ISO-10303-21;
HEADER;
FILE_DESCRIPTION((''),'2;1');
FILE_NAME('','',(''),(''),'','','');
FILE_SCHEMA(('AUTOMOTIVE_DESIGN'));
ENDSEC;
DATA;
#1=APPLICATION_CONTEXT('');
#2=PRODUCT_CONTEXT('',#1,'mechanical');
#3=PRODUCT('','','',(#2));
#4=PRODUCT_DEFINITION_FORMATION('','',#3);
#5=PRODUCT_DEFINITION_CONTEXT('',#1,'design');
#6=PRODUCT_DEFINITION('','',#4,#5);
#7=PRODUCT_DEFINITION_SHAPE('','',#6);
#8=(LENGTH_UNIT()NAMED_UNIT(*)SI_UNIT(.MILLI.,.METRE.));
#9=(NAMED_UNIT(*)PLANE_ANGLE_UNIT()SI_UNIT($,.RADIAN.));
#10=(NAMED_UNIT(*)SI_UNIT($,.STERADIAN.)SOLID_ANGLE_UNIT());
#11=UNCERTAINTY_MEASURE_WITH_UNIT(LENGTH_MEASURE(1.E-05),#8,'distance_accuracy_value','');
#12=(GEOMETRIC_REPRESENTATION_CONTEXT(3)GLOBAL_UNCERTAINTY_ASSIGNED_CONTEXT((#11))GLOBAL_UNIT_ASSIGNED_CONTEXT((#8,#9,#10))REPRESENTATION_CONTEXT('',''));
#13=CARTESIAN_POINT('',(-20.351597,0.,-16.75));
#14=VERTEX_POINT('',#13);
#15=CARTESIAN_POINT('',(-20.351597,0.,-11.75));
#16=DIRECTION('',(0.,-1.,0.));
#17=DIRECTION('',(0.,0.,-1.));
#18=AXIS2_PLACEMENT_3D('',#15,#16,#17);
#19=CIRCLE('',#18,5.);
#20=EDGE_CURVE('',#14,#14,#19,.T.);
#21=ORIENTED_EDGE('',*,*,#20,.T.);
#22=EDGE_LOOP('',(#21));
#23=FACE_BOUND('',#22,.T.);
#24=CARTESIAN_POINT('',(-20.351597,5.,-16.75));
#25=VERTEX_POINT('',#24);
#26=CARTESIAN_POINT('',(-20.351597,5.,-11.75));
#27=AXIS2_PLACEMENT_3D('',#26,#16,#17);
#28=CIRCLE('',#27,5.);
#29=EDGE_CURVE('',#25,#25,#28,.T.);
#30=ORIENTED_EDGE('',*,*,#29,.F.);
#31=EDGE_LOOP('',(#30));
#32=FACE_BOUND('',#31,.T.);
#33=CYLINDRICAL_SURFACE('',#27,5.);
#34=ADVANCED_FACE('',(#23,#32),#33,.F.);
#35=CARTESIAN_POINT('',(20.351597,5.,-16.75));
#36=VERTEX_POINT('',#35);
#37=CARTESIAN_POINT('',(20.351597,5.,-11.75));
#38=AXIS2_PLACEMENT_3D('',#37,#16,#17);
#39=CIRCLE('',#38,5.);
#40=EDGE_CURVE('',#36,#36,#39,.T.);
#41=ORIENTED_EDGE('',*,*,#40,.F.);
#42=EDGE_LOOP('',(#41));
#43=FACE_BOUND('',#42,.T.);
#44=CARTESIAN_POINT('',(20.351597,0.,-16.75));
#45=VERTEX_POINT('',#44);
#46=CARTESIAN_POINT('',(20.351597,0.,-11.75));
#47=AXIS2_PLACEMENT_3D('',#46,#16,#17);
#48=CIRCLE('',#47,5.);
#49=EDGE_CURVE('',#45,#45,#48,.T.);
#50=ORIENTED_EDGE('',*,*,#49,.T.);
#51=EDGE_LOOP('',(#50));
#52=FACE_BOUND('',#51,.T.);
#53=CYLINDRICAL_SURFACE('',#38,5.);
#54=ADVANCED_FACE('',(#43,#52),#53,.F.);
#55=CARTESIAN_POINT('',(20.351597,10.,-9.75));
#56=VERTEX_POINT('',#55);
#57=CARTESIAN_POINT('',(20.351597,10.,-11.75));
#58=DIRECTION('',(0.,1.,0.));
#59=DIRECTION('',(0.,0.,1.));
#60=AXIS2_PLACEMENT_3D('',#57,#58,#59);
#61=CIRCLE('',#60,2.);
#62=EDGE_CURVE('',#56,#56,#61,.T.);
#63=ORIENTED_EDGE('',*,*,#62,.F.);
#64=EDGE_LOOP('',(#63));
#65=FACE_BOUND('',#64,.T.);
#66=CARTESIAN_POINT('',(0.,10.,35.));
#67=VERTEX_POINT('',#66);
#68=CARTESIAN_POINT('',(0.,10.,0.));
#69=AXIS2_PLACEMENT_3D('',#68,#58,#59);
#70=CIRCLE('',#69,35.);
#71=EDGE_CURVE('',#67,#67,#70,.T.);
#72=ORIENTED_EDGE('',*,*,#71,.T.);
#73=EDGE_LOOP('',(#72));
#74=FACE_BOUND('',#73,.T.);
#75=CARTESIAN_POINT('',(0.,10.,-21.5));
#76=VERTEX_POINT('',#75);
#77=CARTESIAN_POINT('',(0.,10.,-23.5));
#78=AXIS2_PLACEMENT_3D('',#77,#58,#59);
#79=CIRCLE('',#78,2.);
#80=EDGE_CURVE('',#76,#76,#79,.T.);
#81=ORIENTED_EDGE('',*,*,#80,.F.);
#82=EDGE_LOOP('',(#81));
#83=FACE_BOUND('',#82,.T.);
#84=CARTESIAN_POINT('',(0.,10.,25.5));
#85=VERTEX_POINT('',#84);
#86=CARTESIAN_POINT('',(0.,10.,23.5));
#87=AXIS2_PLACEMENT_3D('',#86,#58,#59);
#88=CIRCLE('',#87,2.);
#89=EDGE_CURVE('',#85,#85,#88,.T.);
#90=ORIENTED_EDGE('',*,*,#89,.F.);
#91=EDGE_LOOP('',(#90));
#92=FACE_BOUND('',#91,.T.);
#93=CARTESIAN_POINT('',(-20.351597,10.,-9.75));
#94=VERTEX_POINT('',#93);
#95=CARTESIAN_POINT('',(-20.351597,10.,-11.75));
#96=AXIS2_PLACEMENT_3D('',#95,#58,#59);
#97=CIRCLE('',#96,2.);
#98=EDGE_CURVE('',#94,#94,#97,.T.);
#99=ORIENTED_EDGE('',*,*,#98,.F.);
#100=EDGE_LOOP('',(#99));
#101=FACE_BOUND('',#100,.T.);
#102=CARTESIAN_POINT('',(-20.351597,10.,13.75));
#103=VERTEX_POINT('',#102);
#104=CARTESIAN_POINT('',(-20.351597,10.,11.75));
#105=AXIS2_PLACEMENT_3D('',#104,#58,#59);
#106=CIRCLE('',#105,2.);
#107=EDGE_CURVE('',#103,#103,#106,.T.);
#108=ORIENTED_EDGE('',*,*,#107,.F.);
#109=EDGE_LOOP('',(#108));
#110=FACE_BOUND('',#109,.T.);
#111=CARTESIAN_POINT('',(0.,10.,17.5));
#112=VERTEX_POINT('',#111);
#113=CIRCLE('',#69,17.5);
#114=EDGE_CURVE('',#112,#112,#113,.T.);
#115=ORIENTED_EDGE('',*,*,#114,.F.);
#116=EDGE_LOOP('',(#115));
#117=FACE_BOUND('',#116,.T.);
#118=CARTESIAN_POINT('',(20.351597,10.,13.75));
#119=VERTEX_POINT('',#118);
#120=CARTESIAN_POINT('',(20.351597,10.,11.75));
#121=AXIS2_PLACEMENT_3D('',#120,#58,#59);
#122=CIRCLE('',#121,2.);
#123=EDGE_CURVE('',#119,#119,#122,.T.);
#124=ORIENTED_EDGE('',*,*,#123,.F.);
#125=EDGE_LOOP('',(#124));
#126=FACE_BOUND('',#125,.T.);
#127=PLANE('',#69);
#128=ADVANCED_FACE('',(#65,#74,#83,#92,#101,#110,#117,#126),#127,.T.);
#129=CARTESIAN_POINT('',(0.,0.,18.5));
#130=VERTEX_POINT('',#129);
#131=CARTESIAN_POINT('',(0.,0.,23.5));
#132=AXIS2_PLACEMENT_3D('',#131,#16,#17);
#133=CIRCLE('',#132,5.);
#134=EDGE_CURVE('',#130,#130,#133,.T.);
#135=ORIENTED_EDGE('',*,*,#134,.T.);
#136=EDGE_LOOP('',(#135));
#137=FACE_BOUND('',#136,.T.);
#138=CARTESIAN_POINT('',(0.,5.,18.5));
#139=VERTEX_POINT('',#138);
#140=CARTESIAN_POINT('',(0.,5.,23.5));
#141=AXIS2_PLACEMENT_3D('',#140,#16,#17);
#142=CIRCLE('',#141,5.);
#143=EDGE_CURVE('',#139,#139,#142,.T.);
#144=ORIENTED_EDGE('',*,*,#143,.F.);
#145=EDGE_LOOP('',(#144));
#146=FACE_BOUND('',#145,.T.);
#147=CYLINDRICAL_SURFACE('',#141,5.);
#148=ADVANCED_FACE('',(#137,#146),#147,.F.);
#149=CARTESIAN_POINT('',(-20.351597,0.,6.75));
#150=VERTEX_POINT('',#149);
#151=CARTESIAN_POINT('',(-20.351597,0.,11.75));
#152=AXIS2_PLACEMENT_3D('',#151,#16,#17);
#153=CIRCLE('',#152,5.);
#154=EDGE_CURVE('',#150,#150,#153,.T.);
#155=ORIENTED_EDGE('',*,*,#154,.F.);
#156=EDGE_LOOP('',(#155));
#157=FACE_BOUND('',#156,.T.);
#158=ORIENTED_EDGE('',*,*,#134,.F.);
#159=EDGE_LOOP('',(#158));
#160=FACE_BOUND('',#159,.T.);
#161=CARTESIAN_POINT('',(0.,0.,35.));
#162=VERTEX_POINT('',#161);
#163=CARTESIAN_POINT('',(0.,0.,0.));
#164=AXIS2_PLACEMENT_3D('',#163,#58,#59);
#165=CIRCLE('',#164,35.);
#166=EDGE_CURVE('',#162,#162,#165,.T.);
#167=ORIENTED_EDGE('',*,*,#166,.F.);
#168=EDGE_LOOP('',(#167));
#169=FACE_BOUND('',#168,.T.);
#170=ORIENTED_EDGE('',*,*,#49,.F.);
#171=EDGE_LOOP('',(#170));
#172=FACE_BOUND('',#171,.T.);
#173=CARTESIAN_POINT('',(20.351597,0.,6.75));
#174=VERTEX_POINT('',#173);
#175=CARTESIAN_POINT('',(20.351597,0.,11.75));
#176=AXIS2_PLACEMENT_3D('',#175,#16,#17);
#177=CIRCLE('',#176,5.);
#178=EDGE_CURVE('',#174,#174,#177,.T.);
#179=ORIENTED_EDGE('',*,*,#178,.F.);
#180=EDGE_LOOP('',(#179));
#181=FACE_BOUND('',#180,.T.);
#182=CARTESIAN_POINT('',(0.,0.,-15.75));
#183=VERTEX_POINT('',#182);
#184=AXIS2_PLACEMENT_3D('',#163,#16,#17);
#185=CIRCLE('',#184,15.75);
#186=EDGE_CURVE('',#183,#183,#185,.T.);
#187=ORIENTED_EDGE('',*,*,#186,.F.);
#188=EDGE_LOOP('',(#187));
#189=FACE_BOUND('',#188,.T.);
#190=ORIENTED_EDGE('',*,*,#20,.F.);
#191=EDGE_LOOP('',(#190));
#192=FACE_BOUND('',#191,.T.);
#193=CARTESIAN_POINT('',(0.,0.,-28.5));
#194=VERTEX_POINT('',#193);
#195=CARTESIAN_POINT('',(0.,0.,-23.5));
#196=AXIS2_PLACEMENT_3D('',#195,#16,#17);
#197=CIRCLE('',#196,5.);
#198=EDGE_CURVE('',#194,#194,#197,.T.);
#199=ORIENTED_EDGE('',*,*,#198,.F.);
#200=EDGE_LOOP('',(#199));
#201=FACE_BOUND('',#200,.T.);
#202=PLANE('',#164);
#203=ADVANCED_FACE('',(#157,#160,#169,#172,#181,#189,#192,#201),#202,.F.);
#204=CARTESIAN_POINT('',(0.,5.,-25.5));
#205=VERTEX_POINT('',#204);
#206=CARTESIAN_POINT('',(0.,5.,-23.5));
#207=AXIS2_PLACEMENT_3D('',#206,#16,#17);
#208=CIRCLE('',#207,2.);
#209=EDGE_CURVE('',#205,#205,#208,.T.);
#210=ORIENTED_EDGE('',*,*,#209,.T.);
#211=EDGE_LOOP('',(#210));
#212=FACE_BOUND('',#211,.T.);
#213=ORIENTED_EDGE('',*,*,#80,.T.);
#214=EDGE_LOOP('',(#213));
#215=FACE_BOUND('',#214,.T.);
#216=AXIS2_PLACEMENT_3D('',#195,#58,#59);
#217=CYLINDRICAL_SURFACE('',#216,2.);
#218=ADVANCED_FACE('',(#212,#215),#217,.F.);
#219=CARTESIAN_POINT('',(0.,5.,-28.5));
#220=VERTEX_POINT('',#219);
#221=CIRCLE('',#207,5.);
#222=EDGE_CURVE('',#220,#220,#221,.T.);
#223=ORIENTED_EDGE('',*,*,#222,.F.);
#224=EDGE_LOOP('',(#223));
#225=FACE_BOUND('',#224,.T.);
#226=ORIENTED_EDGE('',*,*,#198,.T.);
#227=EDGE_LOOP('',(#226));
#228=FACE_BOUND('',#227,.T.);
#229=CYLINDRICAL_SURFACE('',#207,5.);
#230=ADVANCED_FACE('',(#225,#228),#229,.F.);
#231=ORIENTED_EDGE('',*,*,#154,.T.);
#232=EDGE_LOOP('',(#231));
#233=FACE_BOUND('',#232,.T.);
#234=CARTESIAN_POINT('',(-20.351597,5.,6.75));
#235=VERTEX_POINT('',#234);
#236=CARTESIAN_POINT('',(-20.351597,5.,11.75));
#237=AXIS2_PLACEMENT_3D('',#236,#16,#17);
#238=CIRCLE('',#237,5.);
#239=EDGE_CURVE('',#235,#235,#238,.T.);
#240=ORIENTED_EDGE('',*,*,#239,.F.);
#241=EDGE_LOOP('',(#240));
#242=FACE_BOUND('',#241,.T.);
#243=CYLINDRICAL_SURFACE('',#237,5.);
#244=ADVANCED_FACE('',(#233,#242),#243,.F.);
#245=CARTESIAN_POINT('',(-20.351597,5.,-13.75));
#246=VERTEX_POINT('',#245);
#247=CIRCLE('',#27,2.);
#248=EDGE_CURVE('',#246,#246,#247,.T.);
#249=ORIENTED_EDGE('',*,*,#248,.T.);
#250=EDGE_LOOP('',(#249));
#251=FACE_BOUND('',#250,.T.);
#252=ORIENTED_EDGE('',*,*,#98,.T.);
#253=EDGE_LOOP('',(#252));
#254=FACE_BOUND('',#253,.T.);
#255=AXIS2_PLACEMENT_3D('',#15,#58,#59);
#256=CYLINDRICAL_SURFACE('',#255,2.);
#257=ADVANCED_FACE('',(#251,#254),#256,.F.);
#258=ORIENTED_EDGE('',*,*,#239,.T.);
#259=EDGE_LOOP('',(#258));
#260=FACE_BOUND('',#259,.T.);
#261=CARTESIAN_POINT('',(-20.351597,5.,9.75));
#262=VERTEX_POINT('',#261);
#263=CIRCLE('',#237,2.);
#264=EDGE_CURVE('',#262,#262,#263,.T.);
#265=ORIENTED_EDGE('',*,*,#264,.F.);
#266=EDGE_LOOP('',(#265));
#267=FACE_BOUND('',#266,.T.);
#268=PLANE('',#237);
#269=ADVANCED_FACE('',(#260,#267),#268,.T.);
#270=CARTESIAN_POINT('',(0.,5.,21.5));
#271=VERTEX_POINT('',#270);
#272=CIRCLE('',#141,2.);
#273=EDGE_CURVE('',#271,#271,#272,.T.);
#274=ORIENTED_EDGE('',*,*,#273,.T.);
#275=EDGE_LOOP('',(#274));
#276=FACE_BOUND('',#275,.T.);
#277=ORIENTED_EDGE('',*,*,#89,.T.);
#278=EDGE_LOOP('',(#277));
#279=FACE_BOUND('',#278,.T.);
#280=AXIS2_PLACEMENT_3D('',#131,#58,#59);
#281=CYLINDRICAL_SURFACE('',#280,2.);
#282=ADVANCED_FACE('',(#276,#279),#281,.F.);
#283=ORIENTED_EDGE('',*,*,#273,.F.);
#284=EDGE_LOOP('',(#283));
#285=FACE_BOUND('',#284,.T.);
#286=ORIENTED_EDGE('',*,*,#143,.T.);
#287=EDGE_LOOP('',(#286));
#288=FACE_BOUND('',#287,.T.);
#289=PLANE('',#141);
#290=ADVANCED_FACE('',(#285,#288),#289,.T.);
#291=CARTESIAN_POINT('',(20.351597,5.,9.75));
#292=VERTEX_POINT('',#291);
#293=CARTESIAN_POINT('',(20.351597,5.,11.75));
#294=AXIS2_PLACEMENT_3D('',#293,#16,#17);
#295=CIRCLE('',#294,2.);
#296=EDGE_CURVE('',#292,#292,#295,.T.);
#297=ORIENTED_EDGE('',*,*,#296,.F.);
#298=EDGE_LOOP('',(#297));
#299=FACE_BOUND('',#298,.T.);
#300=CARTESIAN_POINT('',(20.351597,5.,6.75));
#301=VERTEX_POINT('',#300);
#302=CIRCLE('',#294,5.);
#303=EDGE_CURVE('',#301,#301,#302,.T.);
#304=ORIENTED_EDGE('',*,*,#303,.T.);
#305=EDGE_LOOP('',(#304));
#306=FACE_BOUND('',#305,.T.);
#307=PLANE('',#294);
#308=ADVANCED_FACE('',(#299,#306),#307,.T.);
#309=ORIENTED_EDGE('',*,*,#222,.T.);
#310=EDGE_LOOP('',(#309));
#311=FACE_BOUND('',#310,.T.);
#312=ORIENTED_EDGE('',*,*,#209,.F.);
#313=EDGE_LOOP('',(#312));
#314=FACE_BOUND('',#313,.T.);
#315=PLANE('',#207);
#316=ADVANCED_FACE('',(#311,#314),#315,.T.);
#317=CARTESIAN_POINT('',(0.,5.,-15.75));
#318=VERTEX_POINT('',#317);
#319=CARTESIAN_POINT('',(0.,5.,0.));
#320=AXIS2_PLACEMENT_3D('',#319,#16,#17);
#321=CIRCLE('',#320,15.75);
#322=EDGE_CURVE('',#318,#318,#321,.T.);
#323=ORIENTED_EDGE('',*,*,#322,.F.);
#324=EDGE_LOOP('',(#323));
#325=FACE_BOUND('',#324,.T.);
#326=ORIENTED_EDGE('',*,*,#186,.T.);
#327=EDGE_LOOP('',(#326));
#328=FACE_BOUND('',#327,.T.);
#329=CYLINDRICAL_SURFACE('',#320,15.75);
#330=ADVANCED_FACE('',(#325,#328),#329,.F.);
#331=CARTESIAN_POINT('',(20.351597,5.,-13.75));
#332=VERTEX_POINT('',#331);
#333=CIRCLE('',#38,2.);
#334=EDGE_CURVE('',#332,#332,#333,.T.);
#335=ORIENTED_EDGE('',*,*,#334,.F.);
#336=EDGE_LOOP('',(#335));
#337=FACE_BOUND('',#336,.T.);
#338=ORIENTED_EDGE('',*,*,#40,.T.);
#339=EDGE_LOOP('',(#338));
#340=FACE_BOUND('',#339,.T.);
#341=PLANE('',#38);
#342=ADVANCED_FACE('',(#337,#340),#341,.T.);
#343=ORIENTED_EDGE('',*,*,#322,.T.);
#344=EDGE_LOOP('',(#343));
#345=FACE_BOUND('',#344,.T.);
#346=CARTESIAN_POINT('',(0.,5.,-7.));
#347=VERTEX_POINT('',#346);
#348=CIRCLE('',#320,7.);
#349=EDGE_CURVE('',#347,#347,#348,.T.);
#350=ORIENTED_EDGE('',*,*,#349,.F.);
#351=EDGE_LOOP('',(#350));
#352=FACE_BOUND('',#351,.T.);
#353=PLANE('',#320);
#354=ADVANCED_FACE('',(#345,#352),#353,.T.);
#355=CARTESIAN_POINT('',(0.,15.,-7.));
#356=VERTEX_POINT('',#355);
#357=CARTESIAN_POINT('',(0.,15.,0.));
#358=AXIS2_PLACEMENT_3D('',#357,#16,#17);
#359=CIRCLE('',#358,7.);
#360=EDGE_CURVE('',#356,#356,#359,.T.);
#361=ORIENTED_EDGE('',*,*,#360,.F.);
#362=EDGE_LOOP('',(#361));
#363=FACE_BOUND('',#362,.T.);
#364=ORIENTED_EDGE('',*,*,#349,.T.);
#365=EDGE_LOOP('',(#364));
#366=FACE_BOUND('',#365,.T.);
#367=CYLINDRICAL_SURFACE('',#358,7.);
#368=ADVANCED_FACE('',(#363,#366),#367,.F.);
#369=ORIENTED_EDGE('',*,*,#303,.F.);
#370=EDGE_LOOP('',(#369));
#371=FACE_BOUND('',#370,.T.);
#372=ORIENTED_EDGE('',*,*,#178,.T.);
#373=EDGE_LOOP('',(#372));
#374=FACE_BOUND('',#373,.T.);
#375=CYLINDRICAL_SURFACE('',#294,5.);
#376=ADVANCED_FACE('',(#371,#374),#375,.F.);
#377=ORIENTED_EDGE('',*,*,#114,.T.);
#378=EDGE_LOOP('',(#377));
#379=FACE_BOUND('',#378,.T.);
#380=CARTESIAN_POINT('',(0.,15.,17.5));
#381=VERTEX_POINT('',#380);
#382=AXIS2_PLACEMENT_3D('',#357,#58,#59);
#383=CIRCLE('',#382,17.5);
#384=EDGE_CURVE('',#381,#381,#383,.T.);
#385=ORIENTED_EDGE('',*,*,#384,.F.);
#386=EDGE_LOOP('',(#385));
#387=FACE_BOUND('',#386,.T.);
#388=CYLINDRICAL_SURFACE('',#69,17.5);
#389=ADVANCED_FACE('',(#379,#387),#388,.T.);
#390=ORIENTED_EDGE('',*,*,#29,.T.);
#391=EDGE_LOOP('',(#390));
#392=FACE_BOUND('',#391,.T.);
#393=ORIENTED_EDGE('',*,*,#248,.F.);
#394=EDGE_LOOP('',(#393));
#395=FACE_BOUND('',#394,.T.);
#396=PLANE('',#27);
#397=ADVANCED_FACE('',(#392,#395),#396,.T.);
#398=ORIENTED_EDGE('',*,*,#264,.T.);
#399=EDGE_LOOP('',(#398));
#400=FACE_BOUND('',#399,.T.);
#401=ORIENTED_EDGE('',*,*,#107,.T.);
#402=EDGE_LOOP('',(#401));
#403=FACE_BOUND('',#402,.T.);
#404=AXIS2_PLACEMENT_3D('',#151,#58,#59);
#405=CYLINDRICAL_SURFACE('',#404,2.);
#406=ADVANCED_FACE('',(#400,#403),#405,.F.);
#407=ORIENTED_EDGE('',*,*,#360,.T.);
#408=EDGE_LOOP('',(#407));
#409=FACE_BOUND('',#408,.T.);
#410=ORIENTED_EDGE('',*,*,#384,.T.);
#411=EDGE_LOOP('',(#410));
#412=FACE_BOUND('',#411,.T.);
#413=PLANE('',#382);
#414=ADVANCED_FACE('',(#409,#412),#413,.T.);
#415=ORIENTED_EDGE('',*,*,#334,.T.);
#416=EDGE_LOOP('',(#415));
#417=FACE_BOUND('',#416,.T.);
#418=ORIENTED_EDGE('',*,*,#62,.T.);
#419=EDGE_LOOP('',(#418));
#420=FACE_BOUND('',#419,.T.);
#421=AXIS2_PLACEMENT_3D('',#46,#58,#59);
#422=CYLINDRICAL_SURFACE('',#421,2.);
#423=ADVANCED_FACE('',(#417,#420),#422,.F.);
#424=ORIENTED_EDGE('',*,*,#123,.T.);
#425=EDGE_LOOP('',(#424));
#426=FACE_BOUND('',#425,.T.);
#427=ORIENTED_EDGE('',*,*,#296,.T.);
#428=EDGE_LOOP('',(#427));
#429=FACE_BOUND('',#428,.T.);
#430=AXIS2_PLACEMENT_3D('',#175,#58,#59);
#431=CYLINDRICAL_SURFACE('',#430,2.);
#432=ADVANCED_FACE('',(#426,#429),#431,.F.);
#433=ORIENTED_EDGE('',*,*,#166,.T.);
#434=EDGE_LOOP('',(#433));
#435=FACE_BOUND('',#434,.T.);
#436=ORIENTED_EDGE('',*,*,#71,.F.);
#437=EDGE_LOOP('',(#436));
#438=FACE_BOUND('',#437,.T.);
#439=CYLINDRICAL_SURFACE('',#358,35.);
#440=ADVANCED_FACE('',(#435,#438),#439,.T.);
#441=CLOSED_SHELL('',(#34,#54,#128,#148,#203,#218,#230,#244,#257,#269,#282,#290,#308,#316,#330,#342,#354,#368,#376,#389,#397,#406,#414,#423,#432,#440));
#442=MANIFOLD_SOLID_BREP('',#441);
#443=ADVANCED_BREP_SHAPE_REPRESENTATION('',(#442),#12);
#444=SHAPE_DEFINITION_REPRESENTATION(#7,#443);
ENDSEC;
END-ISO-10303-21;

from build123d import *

# Parameters (mm, degrees)
SKETCH1_R           = 35
BOSS_EXTRUDE1_DEPTH = 15
SKETCH3_R           = 15.75
CUT_EXTRUDE1_DEPTH  = 5
SKETCH4_R           = 7
CUT_EXTRUDE2_DEPTH  = 11
SKETCH5_R           = 35
SKETCH5_R_2         = 17.5
CUT_EXTRUDE3_DEPTH  = 5
SKETCH6_R           = 2
CUT_EXTRUDE4_DEPTH  = 11
SKETCH7_R           = 5
SKETCH7_R_2         = 2
CUT_EXTRUDE5_DEPTH  = 5


with BuildPart() as part:
    # Sketch1 → Boss-Extrude1 (new body)
    with BuildSketch(Plane(origin=(0, 0, 0), x_dir=(1, 0, 0), z_dir=(0, 1, 0))):
        Circle(SKETCH1_R)
    extrude(amount=BOSS_EXTRUDE1_DEPTH)

    # Sketch3 → Cut-Extrude1 (cut)
    with BuildSketch(Plane.XZ):
        Circle(SKETCH3_R)
    extrude(amount=-CUT_EXTRUDE1_DEPTH, mode=Mode.SUBTRACT)

    # Sketch4 → Cut-Extrude2 (cut, through all)
    with BuildSketch(Plane.XZ.offset(-5)):
        Circle(SKETCH4_R)
    extrude(amount=-CUT_EXTRUDE2_DEPTH, mode=Mode.SUBTRACT)

    # Sketch5 → Cut-Extrude3 (cut)
    with BuildSketch(Plane(origin=(0, 15, 0), x_dir=(1, 0, 0), z_dir=(0, 1, 0))):
        Circle(SKETCH5_R)
        Circle(SKETCH5_R_2, mode=Mode.SUBTRACT)
    extrude(amount=-CUT_EXTRUDE3_DEPTH, mode=Mode.SUBTRACT)

    # Sketch6 → Cut-Extrude4 (cut, through all)
    with BuildSketch(Plane(origin=(0, 10, 0), x_dir=(1, 0, 0), z_dir=(0, 1, 0))):
        with Locations((0, 23.5)):
            Circle(SKETCH6_R)
        with Locations((20.351596989, 11.75)):
            Circle(SKETCH6_R)
        with Locations((20.351596989, -11.75)):
            Circle(SKETCH6_R)
        with Locations((0, -23.5)):
            Circle(SKETCH6_R)
        with Locations((-20.351596989, -11.75)):
            Circle(SKETCH6_R)
        with Locations((-20.351596989, 11.75)):
            Circle(SKETCH6_R)
    extrude(amount=-CUT_EXTRUDE4_DEPTH, mode=Mode.SUBTRACT)

    # Sketch7 → Cut-Extrude5 (cut)
    with BuildSketch(Plane.XZ):
        with Locations((0, 23.5)):
            Circle(SKETCH7_R)
        with Locations((0, 23.5)):
            Circle(SKETCH7_R_2, mode=Mode.SUBTRACT)
        with Locations((20.351596989, 11.75)):
            Circle(SKETCH7_R)
        with Locations((20.351596989, 11.75)):
            Circle(SKETCH7_R_2, mode=Mode.SUBTRACT)
        with Locations((20.351596989, -11.75)):
            Circle(SKETCH7_R)
        with Locations((20.351596989, -11.75)):
            Circle(SKETCH7_R_2, mode=Mode.SUBTRACT)
        with Locations((0, -23.5)):
            Circle(SKETCH7_R)
        with Locations((0, -23.5)):
            Circle(SKETCH7_R_2, mode=Mode.SUBTRACT)
        with Locations((-20.351596989, -11.75)):
            Circle(SKETCH7_R)
        with Locations((-20.351596989, -11.75)):
            Circle(SKETCH7_R_2, mode=Mode.SUBTRACT)
        with Locations((-20.351596989, 11.75)):
            Circle(SKETCH7_R)
        with Locations((-20.351596989, 11.75)):
            Circle(SKETCH7_R_2, mode=Mode.SUBTRACT)
    extrude(amount=-CUT_EXTRUDE5_DEPTH, mode=Mode.SUBTRACT)


solid = part.part
